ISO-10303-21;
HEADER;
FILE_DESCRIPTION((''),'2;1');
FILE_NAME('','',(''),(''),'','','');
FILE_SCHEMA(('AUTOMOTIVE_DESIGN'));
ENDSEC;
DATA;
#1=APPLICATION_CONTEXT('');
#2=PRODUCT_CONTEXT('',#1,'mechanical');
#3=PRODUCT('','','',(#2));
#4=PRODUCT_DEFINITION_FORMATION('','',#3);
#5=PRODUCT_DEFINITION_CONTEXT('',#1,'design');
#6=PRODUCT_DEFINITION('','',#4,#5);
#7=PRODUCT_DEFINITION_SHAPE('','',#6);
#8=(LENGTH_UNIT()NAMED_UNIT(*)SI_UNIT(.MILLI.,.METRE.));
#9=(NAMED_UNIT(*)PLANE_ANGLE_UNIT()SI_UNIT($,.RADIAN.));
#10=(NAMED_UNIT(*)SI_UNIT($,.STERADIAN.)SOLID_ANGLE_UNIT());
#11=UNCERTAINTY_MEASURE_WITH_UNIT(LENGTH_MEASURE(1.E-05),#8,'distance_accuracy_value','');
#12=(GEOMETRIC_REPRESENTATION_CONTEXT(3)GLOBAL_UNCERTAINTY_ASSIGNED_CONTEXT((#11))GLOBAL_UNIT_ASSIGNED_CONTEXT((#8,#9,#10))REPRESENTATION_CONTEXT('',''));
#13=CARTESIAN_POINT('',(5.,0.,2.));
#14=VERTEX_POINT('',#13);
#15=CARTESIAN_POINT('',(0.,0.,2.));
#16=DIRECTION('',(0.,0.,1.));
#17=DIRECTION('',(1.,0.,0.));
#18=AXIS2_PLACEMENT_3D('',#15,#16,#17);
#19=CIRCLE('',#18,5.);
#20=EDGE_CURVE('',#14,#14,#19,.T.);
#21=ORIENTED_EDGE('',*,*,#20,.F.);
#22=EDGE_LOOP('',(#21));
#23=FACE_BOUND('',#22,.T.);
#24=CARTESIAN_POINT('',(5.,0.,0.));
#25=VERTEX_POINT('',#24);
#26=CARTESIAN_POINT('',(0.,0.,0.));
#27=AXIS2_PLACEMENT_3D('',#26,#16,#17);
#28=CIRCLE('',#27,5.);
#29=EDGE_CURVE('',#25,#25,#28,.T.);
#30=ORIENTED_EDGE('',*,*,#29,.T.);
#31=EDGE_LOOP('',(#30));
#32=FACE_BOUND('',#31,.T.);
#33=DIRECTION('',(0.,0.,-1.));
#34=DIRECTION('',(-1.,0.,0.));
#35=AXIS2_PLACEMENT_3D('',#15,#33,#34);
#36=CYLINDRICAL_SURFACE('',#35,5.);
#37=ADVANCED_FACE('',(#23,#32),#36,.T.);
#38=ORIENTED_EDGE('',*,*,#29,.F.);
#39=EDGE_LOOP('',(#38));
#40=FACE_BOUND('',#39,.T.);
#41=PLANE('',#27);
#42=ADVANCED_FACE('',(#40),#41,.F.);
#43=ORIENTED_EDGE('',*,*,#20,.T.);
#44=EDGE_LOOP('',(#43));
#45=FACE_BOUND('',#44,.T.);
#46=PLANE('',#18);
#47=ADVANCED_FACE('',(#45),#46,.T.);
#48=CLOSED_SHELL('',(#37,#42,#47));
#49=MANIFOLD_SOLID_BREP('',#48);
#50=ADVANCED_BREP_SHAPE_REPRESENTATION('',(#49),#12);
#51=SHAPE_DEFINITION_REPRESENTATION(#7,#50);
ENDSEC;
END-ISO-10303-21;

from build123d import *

# Parameters (mm, degrees)
SKETCH_1_R      = 5
EXTRUDE_1_DEPTH = 2


with BuildPart() as part:
    # 草图1 → 凸台-拉伸1 (new body)
    with BuildSketch(Plane.XY):
        Circle(SKETCH_1_R)
    extrude(amount=EXTRUDE_1_DEPTH)


solid = part.part
